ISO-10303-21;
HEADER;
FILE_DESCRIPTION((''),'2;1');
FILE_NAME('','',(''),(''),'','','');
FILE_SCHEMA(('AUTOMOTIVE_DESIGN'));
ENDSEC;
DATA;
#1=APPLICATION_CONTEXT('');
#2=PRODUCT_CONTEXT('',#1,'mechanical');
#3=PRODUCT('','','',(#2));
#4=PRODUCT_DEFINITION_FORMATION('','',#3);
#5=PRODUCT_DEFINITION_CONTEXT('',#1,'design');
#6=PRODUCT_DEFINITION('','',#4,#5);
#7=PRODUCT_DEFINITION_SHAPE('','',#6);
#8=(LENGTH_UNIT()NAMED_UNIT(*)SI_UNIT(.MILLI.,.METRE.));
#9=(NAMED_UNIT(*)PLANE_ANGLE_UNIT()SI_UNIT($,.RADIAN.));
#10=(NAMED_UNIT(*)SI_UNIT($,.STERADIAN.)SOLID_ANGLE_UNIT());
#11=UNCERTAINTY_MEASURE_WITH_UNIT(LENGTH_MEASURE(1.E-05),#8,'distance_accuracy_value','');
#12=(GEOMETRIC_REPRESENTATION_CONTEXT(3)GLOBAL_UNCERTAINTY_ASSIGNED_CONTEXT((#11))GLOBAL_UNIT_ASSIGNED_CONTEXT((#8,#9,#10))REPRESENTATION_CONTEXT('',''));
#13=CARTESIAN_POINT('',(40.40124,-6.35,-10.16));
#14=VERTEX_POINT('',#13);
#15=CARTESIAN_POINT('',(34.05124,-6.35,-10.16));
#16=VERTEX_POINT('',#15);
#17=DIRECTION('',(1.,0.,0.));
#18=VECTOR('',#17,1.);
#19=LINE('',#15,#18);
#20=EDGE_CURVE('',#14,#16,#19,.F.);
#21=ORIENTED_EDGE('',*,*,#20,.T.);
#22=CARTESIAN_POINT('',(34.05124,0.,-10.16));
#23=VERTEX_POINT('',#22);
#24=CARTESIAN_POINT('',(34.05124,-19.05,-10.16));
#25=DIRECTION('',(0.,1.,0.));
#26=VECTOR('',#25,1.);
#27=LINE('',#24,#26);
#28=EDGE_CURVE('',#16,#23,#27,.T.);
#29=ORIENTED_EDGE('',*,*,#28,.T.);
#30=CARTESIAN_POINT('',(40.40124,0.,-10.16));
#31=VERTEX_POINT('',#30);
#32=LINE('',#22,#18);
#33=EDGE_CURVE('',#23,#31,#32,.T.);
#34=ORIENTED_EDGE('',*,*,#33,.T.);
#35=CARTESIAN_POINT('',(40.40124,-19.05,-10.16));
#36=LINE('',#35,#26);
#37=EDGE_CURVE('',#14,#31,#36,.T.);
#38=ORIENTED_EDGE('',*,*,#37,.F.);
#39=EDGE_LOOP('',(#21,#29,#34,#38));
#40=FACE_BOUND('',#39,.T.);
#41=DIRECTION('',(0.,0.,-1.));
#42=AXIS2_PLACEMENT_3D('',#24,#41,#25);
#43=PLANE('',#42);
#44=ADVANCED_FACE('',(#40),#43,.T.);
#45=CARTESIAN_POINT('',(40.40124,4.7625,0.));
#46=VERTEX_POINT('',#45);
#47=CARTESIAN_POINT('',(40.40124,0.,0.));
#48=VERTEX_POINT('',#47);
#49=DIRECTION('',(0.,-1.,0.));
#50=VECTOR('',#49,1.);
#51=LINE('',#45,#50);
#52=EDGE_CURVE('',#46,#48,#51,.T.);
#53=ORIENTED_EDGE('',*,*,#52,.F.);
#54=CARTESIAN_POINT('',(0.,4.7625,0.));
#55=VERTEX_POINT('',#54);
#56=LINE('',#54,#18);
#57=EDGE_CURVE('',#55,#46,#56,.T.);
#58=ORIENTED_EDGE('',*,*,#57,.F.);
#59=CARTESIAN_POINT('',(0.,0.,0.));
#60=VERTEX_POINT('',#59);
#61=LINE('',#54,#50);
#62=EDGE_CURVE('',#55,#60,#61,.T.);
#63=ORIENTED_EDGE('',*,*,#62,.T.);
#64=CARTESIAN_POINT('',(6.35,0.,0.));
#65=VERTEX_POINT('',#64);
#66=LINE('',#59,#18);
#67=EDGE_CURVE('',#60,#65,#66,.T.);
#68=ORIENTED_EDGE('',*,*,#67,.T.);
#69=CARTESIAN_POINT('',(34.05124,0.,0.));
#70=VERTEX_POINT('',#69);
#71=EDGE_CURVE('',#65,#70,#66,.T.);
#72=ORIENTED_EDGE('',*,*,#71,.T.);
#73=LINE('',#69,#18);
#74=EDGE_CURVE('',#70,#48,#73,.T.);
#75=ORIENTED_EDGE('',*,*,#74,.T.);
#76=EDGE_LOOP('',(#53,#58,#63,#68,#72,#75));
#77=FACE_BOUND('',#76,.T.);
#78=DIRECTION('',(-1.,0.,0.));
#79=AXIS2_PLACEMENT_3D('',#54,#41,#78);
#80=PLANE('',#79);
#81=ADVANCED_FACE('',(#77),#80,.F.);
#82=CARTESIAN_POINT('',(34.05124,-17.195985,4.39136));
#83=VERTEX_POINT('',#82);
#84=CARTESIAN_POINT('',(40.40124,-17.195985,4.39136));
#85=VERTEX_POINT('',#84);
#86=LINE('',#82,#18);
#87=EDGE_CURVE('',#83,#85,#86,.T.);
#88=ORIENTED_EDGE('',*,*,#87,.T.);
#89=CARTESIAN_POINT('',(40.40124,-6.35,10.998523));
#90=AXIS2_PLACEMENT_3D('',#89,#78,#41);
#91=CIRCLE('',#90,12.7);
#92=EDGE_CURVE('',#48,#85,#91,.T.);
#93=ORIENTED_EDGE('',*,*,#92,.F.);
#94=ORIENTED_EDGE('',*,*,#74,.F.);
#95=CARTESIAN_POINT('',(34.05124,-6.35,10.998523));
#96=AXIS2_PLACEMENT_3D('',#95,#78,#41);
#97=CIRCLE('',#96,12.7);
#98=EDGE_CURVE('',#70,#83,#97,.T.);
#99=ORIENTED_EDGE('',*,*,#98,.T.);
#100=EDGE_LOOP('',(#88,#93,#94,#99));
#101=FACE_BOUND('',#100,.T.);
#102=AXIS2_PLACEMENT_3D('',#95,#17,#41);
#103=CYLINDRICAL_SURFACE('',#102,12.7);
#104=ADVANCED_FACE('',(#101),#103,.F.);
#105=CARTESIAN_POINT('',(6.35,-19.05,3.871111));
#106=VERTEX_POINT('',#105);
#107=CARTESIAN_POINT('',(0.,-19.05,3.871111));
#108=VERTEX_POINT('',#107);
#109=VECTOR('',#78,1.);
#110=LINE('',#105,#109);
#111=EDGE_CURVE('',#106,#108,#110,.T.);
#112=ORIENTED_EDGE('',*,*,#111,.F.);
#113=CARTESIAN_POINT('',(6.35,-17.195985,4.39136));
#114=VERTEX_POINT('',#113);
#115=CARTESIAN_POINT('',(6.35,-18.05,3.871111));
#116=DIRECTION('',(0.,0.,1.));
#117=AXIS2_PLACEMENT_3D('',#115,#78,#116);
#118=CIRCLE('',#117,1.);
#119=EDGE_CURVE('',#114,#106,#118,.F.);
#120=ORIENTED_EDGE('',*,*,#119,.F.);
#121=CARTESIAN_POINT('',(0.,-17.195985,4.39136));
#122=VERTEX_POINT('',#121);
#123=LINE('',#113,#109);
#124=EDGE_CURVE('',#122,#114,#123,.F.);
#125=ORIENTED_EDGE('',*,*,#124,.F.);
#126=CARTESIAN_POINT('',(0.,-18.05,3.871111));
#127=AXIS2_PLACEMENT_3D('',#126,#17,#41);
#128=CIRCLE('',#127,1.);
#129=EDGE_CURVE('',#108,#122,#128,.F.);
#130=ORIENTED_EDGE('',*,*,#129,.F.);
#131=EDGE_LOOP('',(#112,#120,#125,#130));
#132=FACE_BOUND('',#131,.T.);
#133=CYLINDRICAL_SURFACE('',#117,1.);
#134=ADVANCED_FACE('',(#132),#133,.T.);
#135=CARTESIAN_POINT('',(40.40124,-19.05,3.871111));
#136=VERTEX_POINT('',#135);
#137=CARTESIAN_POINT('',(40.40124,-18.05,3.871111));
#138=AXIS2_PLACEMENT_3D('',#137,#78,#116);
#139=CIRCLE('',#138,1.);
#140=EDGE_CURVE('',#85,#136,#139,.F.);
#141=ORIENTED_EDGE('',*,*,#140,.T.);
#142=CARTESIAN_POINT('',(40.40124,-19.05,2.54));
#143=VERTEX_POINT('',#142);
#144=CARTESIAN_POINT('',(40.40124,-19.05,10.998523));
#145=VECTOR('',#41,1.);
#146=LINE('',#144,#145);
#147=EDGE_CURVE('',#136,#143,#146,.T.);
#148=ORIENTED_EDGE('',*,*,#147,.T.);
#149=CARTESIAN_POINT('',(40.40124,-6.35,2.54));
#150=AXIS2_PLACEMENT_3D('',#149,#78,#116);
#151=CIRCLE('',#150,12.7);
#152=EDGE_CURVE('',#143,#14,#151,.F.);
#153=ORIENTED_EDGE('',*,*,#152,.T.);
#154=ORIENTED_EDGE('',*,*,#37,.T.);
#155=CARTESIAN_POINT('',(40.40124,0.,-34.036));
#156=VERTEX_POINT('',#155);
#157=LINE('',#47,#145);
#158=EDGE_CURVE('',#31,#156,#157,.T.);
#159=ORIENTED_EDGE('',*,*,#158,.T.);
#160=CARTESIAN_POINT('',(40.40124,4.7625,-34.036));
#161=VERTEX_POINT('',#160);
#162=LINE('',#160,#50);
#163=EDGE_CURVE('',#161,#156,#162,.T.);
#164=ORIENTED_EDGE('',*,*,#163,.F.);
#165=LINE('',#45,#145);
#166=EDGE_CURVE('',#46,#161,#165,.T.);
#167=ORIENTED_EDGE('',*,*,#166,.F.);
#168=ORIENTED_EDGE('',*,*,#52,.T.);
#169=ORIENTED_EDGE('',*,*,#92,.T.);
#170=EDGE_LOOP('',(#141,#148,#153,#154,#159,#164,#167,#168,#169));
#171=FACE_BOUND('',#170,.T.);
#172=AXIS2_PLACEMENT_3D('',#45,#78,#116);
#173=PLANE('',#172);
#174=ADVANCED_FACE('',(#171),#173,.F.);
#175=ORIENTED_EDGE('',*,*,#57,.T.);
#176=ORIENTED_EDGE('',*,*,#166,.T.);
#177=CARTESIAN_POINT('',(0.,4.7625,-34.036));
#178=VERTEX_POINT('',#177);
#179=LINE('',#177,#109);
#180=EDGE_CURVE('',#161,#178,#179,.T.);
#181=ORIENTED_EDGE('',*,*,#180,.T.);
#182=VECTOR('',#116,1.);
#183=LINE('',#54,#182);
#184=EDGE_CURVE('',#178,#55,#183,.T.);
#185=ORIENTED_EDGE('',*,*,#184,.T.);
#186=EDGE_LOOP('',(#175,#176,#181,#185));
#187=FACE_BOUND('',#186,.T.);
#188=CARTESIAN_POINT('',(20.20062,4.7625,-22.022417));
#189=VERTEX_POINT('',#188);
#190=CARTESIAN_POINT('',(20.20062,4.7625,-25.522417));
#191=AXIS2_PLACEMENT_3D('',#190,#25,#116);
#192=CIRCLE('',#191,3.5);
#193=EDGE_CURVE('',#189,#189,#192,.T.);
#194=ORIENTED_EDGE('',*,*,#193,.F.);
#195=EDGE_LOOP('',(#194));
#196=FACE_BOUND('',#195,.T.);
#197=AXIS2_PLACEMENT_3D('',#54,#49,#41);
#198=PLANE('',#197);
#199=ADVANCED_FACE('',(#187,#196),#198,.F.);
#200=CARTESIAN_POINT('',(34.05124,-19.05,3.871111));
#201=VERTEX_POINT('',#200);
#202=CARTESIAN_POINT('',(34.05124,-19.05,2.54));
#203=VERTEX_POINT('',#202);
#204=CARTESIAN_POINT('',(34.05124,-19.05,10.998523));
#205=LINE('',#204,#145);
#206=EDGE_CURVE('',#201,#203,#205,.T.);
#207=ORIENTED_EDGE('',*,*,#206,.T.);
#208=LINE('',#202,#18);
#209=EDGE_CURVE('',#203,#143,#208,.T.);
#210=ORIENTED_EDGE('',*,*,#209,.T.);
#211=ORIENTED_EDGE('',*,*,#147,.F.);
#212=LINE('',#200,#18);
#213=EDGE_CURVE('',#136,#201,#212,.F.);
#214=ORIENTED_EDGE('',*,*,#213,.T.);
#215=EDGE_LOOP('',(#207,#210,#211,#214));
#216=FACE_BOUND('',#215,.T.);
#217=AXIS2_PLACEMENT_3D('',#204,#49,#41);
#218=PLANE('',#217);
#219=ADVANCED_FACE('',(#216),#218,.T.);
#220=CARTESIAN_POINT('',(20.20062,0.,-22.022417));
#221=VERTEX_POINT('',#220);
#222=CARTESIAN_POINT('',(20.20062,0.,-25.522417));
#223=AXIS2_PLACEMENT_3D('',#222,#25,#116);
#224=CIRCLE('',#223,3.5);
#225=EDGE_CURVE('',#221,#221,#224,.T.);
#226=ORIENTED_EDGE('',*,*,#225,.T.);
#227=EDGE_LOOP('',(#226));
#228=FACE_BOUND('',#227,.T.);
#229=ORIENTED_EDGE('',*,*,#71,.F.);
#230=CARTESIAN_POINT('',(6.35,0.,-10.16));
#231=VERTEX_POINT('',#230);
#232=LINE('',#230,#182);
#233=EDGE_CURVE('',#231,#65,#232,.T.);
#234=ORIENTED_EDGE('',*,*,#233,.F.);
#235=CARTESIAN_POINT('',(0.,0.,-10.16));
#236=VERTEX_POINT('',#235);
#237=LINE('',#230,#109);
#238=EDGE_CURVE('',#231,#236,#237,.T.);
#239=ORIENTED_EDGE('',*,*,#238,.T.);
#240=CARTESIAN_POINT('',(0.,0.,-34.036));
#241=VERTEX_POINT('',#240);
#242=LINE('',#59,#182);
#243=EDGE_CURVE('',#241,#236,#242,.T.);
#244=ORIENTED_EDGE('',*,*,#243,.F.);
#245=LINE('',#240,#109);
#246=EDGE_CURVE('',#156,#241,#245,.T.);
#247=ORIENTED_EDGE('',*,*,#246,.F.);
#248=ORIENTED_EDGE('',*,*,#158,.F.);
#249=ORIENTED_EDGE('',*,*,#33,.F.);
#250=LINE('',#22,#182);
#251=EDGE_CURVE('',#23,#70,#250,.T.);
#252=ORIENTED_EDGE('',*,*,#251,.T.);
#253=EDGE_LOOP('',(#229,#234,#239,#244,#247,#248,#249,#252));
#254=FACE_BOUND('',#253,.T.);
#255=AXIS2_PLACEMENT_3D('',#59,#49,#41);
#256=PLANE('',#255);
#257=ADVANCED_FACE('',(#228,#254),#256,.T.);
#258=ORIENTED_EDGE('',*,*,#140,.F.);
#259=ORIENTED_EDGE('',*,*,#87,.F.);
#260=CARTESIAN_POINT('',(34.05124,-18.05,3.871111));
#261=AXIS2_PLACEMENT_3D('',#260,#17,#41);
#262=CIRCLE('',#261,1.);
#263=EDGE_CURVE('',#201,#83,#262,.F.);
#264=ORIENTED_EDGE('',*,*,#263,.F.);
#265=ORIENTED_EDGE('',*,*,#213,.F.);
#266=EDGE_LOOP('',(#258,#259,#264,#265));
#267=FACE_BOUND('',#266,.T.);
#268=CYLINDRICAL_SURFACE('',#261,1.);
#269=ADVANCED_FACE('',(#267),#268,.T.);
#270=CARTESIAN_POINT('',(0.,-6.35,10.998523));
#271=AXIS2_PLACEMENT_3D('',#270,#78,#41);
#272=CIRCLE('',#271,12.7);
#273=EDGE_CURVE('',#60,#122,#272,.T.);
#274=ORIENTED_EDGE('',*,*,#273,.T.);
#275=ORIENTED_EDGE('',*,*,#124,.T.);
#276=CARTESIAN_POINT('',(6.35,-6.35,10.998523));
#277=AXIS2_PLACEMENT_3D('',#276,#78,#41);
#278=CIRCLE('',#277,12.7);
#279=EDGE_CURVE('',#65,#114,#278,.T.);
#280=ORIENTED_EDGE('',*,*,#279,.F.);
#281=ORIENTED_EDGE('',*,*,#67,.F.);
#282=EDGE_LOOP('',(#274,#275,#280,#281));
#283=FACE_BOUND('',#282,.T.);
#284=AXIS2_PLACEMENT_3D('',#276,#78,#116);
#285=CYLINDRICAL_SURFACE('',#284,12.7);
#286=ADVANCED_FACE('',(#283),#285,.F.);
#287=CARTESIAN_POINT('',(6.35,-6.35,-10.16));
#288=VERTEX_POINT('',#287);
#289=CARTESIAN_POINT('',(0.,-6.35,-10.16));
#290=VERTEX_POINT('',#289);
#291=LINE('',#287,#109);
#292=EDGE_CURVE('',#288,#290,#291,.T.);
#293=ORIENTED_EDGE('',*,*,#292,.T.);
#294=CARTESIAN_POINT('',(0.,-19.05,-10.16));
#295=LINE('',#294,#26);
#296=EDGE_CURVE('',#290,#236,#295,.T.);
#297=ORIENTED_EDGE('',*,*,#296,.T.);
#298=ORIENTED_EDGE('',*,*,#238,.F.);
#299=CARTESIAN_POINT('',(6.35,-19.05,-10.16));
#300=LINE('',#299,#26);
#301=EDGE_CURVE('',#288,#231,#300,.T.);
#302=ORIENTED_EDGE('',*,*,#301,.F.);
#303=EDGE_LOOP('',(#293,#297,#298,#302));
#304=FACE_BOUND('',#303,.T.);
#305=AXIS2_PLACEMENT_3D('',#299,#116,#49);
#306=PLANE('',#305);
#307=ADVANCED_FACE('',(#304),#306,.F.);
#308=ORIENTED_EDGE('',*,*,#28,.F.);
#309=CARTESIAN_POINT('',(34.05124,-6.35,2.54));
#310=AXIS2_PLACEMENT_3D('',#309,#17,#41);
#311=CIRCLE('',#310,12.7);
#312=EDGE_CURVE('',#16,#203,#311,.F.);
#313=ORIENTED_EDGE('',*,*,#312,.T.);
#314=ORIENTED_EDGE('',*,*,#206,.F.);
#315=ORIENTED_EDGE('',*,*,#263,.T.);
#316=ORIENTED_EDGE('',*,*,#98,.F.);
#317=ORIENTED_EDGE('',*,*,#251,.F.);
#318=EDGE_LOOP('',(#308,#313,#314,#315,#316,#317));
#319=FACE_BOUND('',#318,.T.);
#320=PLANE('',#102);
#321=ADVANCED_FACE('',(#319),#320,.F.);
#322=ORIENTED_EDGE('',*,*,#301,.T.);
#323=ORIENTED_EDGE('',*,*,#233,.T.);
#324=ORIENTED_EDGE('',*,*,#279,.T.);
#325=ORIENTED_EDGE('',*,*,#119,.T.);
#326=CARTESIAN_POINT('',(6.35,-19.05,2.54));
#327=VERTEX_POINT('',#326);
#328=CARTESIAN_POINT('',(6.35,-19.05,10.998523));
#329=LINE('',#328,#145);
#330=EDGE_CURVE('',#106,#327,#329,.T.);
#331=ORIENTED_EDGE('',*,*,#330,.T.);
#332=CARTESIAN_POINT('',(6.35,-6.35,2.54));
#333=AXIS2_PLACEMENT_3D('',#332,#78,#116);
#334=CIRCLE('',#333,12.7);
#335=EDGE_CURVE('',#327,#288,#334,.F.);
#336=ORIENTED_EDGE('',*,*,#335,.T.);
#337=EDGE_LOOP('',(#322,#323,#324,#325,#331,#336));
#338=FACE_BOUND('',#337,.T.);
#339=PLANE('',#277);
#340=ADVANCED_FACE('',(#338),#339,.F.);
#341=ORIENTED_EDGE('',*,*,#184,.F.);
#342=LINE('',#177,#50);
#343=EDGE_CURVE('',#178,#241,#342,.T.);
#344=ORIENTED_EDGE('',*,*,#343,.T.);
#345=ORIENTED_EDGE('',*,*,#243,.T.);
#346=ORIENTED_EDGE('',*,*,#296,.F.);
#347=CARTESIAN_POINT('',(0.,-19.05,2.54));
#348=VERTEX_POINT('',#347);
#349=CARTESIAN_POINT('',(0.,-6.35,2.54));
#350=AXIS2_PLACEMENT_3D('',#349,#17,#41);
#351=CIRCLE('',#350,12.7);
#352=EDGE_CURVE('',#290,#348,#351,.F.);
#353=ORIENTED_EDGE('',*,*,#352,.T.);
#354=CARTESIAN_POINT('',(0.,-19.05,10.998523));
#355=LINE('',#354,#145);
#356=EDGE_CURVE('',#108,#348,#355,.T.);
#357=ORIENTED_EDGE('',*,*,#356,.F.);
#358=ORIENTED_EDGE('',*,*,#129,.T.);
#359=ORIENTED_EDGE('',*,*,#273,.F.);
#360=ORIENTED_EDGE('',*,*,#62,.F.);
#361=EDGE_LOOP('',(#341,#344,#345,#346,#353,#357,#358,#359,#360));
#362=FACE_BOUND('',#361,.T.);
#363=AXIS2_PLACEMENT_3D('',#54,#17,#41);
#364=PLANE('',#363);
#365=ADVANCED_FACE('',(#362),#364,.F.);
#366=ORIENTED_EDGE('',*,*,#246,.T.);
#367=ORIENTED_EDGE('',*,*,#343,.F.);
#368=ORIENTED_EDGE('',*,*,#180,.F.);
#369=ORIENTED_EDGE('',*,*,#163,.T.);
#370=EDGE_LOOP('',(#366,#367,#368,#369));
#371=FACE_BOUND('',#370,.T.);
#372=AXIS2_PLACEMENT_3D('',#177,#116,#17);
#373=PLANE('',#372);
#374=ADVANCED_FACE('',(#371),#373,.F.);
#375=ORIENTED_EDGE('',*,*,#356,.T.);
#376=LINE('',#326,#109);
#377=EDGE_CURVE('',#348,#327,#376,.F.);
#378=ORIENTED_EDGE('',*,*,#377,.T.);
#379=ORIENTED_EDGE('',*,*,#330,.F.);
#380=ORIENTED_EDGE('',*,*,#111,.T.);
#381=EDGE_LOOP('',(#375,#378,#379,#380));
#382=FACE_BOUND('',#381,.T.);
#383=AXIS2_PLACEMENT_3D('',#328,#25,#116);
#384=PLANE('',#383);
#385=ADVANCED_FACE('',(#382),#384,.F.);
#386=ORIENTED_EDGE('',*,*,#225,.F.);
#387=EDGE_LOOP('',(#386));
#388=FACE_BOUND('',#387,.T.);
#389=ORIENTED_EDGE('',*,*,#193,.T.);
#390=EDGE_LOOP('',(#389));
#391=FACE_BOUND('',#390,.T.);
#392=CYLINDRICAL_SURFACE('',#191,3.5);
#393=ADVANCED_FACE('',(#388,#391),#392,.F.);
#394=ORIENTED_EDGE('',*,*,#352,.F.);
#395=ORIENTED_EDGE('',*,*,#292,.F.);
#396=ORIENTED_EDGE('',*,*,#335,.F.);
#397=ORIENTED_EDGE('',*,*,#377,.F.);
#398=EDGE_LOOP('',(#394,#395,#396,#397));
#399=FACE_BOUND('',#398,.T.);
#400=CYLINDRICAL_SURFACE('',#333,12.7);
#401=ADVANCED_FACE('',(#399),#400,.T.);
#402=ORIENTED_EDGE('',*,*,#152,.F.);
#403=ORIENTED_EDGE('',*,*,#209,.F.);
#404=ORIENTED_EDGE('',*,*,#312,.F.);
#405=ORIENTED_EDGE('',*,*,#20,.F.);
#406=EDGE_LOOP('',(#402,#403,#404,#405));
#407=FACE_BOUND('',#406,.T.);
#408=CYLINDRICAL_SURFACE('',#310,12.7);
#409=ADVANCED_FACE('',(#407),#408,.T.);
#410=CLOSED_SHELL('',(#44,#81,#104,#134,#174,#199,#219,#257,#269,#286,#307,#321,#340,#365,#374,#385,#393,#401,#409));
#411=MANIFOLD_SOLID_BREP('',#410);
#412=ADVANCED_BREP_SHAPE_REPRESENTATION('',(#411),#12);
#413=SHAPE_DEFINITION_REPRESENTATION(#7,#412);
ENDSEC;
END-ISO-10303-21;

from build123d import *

# Parameters (mm, degrees)
SKETCH1_W            = 40.40124
SKETCH1_H            = 34.036
SKETCH1_R            = 1.257288094
BOSS_EXTRUDE1_DEPTH  = 4.7625
M6_CLEARANCE_HOLE1_D = 7
BOSS_EXTRUDE3_DEPTH  = 6.35
FILLET2_R            = 1
FILLET3_R            = 12.7


with BuildPart() as part:
    # Sketch1 → Boss-Extrude1 (new body)
    with BuildSketch(Plane(origin=(0, 0, 0), x_dir=(1, 0, 0), z_dir=(0, 1, 0))):
        with Locations((20.20062, 17.018)):
            Rectangle(SKETCH1_W, SKETCH1_H)
        with Locations(Location((20.20062, 25.522416525, 0), (0, 0, 90))):
            Circle(SKETCH1_R, mode=Mode.SUBTRACT)
    extrude(amount=BOSS_EXTRUDE1_DEPTH)

    # M6 Clearance Hole1 (through all)
    with Locations(Plane(origin=(0, 4.7625, 0), x_dir=(1, 0, 0), z_dir=(0, 1, 0))):
        with Locations((20.20062, 25.522416525)):
            Hole(M6_CLEARANCE_HOLE1_D / 2)

    # Sketch5 → Boss-Extrude3 (add)
    with BuildSketch(Plane(origin=(40.40124, 0, 0), x_dir=(0, 0, -1), z_dir=(1, 0, 0))):
        with BuildLine():
            Line((-10.998522628, -19.05), (10.16, -19.05))
            Line((10.16, -19.05), (10.16, 0))
            Line((10.16, 0), (0, 0))
            ThreePointArc((0, 0), (0, -12.7), (-10.998522628, -19.05))
        make_face()
    boss_extrude3 = extrude(amount=-BOSS_EXTRUDE3_DEPTH)

    # Mirror1: Boss-Extrude3 across plane
    add(boss_extrude3.mirror(Plane(origin=(20.20062, 0, 0), x_dir=(0, 0, 1), z_dir=(1, 0, 0))))

    # Fillet2
    fillet2_edges = [part.edges().sort_by_distance(p)[0] for p in [
        (37.22624, -19.05, 10.998522628),
        (3.175, -19.05, 10.998522628),
    ]]
    fillet(fillet2_edges, radius=FILLET2_R)

    # Fillet3
    fillet3_edges = [part.edges().sort_by_distance(p)[0] for p in [
        (37.22624, -19.05, -10.16),
        (3.175, -19.05, -10.16),
    ]]
    fillet(fillet3_edges, radius=FILLET3_R)


solid = part.part
